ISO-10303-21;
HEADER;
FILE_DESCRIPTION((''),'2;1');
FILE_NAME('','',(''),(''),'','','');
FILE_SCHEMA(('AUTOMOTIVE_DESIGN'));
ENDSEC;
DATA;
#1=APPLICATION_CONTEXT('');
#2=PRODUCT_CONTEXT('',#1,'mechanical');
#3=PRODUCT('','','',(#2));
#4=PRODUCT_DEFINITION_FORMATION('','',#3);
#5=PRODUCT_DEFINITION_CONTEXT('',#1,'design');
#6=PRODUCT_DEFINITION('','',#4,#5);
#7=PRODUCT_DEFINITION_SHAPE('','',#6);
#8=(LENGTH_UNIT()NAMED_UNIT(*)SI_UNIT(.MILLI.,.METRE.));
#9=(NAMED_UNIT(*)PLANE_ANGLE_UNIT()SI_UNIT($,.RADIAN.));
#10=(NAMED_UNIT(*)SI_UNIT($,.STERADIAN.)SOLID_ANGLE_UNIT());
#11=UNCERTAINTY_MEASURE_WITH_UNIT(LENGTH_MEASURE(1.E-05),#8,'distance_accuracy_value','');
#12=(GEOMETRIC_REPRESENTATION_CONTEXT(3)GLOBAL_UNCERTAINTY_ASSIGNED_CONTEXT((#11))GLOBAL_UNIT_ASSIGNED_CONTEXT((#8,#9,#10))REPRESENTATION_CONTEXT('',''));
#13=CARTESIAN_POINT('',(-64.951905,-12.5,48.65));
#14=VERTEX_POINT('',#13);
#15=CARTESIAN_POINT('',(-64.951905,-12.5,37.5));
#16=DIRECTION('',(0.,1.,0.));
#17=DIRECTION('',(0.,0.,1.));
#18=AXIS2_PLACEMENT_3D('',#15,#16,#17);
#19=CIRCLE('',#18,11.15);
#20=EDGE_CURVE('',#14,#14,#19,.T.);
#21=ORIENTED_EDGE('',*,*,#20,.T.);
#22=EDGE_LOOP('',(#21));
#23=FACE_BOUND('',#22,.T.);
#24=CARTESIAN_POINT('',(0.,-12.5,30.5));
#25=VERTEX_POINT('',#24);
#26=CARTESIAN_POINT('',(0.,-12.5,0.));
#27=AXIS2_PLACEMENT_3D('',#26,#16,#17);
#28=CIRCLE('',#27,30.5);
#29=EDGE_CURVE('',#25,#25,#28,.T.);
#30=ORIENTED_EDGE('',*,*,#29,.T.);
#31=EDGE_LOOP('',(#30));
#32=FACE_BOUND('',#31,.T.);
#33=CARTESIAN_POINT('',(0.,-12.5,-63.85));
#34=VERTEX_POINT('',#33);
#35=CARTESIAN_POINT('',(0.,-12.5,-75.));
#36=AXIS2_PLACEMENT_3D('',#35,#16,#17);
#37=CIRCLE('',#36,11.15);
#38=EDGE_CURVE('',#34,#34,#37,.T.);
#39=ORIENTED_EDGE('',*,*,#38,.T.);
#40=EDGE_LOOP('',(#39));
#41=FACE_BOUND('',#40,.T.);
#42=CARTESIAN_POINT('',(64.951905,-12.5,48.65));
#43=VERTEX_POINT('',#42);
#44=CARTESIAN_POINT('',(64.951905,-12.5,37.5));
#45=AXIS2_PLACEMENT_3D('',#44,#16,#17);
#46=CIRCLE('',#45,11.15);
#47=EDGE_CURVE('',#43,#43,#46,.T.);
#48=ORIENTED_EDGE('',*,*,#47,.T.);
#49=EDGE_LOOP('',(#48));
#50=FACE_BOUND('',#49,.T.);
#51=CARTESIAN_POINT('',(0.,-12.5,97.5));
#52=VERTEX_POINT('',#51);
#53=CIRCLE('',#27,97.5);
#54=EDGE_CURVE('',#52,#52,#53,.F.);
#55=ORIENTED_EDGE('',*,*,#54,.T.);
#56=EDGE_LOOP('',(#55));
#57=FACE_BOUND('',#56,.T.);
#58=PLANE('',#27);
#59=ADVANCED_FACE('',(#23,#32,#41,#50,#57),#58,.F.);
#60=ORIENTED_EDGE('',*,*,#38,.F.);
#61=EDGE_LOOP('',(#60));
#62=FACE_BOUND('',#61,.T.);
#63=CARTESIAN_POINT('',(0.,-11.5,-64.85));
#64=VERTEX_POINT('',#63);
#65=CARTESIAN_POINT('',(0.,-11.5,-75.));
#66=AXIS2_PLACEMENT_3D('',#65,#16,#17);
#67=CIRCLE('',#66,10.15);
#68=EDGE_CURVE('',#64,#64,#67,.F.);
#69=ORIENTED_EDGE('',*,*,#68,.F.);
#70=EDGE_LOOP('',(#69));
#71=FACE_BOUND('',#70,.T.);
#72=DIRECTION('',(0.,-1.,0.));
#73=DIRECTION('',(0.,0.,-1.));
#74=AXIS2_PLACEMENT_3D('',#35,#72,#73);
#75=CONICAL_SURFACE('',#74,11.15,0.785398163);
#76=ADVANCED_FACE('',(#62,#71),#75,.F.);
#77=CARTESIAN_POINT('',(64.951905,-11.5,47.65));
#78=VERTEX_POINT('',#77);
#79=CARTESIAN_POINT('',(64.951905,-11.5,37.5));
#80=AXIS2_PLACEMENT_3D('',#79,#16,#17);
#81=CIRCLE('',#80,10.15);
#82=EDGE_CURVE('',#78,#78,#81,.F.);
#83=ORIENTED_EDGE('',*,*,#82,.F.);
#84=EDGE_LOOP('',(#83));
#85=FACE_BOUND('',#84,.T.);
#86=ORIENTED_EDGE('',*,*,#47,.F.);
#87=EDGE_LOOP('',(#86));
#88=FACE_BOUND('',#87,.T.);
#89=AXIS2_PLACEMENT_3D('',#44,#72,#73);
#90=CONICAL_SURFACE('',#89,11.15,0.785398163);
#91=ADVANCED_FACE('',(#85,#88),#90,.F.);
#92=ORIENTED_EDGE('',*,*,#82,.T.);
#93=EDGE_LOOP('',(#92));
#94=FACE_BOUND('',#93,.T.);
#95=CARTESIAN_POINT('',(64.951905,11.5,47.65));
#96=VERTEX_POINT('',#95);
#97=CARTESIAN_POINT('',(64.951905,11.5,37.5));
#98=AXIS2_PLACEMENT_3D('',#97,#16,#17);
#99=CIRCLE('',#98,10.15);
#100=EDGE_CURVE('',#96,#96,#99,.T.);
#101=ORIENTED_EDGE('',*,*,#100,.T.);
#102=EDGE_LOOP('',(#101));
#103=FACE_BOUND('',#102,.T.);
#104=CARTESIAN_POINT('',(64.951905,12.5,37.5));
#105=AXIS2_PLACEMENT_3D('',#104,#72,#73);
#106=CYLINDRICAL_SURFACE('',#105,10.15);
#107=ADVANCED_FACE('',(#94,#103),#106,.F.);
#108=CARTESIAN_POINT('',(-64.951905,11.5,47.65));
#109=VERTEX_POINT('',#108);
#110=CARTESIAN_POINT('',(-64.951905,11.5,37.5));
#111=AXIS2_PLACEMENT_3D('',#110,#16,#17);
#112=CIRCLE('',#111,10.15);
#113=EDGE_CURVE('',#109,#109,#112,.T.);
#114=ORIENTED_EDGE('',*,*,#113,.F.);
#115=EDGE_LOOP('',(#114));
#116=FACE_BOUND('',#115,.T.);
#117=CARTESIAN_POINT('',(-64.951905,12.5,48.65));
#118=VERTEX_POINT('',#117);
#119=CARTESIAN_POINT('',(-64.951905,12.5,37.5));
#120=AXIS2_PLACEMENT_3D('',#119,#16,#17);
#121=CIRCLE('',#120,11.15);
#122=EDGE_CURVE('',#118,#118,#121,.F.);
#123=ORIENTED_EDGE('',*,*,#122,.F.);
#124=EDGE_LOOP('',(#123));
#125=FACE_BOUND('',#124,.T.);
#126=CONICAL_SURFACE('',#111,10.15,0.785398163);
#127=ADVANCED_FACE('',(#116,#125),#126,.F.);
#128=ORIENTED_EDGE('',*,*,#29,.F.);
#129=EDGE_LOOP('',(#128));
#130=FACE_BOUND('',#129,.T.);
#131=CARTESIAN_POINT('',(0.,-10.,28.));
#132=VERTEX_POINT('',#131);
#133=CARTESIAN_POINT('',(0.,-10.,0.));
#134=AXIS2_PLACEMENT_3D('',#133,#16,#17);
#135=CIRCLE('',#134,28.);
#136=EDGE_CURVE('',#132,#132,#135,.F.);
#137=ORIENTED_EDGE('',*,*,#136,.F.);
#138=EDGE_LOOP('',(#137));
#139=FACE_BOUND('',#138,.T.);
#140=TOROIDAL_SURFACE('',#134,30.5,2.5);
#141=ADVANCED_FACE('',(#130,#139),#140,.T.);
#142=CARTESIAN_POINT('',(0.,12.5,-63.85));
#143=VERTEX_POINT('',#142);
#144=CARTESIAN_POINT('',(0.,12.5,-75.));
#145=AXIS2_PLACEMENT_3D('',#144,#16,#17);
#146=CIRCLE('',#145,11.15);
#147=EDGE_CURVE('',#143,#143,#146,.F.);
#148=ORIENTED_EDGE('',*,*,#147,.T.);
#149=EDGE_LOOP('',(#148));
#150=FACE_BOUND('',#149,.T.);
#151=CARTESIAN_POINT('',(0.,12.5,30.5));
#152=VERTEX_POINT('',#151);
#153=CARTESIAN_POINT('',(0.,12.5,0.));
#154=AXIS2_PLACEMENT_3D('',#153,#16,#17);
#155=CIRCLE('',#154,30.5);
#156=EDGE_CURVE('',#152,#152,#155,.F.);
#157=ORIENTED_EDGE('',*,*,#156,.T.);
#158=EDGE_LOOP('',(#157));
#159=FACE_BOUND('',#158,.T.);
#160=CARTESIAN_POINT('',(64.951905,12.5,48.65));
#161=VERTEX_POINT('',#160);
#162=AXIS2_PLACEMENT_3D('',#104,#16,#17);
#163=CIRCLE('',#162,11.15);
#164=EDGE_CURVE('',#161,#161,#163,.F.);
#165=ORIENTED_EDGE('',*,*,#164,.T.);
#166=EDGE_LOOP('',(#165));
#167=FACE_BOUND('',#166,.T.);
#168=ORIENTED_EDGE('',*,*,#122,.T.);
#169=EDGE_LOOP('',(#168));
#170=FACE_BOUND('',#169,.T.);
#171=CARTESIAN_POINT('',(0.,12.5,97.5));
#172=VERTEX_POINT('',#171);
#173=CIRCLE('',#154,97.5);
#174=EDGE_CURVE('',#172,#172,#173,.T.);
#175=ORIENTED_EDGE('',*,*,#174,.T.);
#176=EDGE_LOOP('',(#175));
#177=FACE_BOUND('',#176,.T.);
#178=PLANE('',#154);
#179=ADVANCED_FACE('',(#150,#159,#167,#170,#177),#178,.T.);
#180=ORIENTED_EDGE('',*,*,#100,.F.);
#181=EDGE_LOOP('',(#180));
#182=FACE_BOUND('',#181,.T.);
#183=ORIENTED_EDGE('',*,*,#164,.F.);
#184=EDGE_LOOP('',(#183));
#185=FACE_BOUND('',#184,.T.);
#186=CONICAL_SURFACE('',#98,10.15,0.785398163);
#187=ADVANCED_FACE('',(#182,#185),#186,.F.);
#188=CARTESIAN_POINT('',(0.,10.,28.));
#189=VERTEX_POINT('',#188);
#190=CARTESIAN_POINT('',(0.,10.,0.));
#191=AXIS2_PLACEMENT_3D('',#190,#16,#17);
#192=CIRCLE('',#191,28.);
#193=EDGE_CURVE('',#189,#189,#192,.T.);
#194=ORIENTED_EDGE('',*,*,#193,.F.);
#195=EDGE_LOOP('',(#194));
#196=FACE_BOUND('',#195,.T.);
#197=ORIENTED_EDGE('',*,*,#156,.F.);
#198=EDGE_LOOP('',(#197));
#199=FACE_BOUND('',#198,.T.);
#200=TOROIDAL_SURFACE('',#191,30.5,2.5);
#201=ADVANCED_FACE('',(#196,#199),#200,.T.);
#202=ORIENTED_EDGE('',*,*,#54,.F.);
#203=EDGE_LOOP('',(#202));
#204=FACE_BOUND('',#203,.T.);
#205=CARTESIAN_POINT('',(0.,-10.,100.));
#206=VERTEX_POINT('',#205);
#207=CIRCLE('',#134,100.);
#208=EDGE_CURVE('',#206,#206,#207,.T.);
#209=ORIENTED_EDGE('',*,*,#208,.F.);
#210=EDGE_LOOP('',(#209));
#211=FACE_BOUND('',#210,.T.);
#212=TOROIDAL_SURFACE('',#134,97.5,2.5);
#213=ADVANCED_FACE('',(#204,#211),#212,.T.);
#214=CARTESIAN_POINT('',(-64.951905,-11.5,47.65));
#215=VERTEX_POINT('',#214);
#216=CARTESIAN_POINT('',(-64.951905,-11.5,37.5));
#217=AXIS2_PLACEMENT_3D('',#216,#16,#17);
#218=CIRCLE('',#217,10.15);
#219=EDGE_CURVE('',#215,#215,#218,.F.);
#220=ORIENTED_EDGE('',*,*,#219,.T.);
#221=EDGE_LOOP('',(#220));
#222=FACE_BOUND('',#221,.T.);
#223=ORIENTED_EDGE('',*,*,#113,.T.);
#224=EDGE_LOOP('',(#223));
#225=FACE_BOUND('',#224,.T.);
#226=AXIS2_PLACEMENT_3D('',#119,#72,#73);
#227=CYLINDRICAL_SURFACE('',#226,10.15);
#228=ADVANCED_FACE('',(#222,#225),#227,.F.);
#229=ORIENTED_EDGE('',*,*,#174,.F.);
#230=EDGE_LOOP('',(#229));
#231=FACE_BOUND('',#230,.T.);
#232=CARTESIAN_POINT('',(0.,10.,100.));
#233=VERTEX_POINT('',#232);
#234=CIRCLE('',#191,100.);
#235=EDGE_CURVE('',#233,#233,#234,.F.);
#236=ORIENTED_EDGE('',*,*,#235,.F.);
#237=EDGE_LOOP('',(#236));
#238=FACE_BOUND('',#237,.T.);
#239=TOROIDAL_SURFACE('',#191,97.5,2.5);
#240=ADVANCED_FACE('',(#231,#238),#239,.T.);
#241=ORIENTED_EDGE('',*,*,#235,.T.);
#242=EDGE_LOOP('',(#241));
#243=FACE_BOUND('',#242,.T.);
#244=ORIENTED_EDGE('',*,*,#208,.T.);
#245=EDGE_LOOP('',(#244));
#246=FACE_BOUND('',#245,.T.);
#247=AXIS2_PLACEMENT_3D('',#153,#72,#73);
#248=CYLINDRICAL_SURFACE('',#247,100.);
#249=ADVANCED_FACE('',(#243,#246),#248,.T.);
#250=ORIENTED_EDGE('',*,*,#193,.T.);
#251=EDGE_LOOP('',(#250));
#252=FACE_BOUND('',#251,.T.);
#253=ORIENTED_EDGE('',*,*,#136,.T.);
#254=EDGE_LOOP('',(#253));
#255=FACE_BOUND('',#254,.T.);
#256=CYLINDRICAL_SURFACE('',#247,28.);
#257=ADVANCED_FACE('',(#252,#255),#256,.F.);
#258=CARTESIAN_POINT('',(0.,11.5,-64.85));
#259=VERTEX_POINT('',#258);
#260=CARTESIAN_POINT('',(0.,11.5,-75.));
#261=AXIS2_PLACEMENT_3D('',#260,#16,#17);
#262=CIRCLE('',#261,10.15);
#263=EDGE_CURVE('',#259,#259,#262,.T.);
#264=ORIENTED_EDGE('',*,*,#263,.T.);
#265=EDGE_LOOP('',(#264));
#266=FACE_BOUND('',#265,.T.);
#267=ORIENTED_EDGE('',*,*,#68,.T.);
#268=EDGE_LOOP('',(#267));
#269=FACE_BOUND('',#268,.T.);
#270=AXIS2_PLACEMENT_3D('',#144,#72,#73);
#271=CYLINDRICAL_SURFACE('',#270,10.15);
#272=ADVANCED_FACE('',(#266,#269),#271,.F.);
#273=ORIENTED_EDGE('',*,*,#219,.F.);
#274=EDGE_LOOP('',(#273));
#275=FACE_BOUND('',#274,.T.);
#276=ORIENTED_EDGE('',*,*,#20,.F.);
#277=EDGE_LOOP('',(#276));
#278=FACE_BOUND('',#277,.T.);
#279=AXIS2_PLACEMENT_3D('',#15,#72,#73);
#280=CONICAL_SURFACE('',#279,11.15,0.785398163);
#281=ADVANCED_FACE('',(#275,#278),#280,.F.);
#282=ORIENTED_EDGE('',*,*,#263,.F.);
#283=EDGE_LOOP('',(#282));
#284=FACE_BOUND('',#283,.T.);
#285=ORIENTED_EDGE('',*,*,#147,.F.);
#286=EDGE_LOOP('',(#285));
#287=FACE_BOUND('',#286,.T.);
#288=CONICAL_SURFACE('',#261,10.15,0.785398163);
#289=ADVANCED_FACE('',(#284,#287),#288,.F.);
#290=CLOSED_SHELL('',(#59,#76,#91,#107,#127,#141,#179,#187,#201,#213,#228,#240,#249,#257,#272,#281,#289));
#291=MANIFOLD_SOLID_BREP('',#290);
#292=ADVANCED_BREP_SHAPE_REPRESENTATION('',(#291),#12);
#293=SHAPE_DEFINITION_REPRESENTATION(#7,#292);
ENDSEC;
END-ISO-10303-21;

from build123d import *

# Parameters (mm, degrees)
SKETCH1_R           = 100
SKETCH1_R_2         = 28
SKETCH1_R_3         = 10.15
BOSS_EXTRUDE1_DEPTH = 12.5
FILLET1_R           = 2.5
CHAMFER1_SIZE       = 1


with BuildPart() as part:
    # Sketch1 → Boss-Extrude1 (new, symmetric)
    with BuildSketch(Plane(origin=(0, 0, 0), x_dir=(1, 0, 0), z_dir=(0, 1, 0))):
        with Locations(Location((0, 0, 0), (0, 0, 270))):
            Circle(SKETCH1_R)
        with Locations(Location((0, 0, 0), (0, 0, 270))):
            Circle(SKETCH1_R_2, mode=Mode.SUBTRACT)
        with Locations(Location((0, 75, 0), (0, 0, 270))):
            Circle(SKETCH1_R_3, mode=Mode.SUBTRACT)
        with Locations(Location((64.951905284, -37.5, 0), (0, 0, 270))):
            Circle(SKETCH1_R_3, mode=Mode.SUBTRACT)
        with Locations(Location((-64.951905284, -37.5, 0), (0, 0, 270))):
            Circle(SKETCH1_R_3, mode=Mode.SUBTRACT)
    extrude(amount=BOSS_EXTRUDE1_DEPTH, both=True)

    # Fillet1
    fillet1_edges = [part.edges().sort_by_distance(p)[0] for p in [
        (0, -12.5, -100),
        (0, 12.5, -100),
        (0, -12.5, -28),
        (0, 12.5, -28),
    ]]
    fillet(fillet1_edges, radius=FILLET1_R)

    # Chamfer1
    chamfer1_edges = [part.edges().sort_by_distance(p)[0] for p in [
        (64.951905284, -12.5, 27.35),
        (64.951905284, 12.5, 27.35),
        (-64.951905284, -12.5, 27.35),
        (-64.951905284, 12.5, 27.35),
        (0, -12.5, -85.15),
        (0, 12.5, -85.15),
    ]]
    chamfer(chamfer1_edges, length=CHAMFER1_SIZE)


solid = part.part
